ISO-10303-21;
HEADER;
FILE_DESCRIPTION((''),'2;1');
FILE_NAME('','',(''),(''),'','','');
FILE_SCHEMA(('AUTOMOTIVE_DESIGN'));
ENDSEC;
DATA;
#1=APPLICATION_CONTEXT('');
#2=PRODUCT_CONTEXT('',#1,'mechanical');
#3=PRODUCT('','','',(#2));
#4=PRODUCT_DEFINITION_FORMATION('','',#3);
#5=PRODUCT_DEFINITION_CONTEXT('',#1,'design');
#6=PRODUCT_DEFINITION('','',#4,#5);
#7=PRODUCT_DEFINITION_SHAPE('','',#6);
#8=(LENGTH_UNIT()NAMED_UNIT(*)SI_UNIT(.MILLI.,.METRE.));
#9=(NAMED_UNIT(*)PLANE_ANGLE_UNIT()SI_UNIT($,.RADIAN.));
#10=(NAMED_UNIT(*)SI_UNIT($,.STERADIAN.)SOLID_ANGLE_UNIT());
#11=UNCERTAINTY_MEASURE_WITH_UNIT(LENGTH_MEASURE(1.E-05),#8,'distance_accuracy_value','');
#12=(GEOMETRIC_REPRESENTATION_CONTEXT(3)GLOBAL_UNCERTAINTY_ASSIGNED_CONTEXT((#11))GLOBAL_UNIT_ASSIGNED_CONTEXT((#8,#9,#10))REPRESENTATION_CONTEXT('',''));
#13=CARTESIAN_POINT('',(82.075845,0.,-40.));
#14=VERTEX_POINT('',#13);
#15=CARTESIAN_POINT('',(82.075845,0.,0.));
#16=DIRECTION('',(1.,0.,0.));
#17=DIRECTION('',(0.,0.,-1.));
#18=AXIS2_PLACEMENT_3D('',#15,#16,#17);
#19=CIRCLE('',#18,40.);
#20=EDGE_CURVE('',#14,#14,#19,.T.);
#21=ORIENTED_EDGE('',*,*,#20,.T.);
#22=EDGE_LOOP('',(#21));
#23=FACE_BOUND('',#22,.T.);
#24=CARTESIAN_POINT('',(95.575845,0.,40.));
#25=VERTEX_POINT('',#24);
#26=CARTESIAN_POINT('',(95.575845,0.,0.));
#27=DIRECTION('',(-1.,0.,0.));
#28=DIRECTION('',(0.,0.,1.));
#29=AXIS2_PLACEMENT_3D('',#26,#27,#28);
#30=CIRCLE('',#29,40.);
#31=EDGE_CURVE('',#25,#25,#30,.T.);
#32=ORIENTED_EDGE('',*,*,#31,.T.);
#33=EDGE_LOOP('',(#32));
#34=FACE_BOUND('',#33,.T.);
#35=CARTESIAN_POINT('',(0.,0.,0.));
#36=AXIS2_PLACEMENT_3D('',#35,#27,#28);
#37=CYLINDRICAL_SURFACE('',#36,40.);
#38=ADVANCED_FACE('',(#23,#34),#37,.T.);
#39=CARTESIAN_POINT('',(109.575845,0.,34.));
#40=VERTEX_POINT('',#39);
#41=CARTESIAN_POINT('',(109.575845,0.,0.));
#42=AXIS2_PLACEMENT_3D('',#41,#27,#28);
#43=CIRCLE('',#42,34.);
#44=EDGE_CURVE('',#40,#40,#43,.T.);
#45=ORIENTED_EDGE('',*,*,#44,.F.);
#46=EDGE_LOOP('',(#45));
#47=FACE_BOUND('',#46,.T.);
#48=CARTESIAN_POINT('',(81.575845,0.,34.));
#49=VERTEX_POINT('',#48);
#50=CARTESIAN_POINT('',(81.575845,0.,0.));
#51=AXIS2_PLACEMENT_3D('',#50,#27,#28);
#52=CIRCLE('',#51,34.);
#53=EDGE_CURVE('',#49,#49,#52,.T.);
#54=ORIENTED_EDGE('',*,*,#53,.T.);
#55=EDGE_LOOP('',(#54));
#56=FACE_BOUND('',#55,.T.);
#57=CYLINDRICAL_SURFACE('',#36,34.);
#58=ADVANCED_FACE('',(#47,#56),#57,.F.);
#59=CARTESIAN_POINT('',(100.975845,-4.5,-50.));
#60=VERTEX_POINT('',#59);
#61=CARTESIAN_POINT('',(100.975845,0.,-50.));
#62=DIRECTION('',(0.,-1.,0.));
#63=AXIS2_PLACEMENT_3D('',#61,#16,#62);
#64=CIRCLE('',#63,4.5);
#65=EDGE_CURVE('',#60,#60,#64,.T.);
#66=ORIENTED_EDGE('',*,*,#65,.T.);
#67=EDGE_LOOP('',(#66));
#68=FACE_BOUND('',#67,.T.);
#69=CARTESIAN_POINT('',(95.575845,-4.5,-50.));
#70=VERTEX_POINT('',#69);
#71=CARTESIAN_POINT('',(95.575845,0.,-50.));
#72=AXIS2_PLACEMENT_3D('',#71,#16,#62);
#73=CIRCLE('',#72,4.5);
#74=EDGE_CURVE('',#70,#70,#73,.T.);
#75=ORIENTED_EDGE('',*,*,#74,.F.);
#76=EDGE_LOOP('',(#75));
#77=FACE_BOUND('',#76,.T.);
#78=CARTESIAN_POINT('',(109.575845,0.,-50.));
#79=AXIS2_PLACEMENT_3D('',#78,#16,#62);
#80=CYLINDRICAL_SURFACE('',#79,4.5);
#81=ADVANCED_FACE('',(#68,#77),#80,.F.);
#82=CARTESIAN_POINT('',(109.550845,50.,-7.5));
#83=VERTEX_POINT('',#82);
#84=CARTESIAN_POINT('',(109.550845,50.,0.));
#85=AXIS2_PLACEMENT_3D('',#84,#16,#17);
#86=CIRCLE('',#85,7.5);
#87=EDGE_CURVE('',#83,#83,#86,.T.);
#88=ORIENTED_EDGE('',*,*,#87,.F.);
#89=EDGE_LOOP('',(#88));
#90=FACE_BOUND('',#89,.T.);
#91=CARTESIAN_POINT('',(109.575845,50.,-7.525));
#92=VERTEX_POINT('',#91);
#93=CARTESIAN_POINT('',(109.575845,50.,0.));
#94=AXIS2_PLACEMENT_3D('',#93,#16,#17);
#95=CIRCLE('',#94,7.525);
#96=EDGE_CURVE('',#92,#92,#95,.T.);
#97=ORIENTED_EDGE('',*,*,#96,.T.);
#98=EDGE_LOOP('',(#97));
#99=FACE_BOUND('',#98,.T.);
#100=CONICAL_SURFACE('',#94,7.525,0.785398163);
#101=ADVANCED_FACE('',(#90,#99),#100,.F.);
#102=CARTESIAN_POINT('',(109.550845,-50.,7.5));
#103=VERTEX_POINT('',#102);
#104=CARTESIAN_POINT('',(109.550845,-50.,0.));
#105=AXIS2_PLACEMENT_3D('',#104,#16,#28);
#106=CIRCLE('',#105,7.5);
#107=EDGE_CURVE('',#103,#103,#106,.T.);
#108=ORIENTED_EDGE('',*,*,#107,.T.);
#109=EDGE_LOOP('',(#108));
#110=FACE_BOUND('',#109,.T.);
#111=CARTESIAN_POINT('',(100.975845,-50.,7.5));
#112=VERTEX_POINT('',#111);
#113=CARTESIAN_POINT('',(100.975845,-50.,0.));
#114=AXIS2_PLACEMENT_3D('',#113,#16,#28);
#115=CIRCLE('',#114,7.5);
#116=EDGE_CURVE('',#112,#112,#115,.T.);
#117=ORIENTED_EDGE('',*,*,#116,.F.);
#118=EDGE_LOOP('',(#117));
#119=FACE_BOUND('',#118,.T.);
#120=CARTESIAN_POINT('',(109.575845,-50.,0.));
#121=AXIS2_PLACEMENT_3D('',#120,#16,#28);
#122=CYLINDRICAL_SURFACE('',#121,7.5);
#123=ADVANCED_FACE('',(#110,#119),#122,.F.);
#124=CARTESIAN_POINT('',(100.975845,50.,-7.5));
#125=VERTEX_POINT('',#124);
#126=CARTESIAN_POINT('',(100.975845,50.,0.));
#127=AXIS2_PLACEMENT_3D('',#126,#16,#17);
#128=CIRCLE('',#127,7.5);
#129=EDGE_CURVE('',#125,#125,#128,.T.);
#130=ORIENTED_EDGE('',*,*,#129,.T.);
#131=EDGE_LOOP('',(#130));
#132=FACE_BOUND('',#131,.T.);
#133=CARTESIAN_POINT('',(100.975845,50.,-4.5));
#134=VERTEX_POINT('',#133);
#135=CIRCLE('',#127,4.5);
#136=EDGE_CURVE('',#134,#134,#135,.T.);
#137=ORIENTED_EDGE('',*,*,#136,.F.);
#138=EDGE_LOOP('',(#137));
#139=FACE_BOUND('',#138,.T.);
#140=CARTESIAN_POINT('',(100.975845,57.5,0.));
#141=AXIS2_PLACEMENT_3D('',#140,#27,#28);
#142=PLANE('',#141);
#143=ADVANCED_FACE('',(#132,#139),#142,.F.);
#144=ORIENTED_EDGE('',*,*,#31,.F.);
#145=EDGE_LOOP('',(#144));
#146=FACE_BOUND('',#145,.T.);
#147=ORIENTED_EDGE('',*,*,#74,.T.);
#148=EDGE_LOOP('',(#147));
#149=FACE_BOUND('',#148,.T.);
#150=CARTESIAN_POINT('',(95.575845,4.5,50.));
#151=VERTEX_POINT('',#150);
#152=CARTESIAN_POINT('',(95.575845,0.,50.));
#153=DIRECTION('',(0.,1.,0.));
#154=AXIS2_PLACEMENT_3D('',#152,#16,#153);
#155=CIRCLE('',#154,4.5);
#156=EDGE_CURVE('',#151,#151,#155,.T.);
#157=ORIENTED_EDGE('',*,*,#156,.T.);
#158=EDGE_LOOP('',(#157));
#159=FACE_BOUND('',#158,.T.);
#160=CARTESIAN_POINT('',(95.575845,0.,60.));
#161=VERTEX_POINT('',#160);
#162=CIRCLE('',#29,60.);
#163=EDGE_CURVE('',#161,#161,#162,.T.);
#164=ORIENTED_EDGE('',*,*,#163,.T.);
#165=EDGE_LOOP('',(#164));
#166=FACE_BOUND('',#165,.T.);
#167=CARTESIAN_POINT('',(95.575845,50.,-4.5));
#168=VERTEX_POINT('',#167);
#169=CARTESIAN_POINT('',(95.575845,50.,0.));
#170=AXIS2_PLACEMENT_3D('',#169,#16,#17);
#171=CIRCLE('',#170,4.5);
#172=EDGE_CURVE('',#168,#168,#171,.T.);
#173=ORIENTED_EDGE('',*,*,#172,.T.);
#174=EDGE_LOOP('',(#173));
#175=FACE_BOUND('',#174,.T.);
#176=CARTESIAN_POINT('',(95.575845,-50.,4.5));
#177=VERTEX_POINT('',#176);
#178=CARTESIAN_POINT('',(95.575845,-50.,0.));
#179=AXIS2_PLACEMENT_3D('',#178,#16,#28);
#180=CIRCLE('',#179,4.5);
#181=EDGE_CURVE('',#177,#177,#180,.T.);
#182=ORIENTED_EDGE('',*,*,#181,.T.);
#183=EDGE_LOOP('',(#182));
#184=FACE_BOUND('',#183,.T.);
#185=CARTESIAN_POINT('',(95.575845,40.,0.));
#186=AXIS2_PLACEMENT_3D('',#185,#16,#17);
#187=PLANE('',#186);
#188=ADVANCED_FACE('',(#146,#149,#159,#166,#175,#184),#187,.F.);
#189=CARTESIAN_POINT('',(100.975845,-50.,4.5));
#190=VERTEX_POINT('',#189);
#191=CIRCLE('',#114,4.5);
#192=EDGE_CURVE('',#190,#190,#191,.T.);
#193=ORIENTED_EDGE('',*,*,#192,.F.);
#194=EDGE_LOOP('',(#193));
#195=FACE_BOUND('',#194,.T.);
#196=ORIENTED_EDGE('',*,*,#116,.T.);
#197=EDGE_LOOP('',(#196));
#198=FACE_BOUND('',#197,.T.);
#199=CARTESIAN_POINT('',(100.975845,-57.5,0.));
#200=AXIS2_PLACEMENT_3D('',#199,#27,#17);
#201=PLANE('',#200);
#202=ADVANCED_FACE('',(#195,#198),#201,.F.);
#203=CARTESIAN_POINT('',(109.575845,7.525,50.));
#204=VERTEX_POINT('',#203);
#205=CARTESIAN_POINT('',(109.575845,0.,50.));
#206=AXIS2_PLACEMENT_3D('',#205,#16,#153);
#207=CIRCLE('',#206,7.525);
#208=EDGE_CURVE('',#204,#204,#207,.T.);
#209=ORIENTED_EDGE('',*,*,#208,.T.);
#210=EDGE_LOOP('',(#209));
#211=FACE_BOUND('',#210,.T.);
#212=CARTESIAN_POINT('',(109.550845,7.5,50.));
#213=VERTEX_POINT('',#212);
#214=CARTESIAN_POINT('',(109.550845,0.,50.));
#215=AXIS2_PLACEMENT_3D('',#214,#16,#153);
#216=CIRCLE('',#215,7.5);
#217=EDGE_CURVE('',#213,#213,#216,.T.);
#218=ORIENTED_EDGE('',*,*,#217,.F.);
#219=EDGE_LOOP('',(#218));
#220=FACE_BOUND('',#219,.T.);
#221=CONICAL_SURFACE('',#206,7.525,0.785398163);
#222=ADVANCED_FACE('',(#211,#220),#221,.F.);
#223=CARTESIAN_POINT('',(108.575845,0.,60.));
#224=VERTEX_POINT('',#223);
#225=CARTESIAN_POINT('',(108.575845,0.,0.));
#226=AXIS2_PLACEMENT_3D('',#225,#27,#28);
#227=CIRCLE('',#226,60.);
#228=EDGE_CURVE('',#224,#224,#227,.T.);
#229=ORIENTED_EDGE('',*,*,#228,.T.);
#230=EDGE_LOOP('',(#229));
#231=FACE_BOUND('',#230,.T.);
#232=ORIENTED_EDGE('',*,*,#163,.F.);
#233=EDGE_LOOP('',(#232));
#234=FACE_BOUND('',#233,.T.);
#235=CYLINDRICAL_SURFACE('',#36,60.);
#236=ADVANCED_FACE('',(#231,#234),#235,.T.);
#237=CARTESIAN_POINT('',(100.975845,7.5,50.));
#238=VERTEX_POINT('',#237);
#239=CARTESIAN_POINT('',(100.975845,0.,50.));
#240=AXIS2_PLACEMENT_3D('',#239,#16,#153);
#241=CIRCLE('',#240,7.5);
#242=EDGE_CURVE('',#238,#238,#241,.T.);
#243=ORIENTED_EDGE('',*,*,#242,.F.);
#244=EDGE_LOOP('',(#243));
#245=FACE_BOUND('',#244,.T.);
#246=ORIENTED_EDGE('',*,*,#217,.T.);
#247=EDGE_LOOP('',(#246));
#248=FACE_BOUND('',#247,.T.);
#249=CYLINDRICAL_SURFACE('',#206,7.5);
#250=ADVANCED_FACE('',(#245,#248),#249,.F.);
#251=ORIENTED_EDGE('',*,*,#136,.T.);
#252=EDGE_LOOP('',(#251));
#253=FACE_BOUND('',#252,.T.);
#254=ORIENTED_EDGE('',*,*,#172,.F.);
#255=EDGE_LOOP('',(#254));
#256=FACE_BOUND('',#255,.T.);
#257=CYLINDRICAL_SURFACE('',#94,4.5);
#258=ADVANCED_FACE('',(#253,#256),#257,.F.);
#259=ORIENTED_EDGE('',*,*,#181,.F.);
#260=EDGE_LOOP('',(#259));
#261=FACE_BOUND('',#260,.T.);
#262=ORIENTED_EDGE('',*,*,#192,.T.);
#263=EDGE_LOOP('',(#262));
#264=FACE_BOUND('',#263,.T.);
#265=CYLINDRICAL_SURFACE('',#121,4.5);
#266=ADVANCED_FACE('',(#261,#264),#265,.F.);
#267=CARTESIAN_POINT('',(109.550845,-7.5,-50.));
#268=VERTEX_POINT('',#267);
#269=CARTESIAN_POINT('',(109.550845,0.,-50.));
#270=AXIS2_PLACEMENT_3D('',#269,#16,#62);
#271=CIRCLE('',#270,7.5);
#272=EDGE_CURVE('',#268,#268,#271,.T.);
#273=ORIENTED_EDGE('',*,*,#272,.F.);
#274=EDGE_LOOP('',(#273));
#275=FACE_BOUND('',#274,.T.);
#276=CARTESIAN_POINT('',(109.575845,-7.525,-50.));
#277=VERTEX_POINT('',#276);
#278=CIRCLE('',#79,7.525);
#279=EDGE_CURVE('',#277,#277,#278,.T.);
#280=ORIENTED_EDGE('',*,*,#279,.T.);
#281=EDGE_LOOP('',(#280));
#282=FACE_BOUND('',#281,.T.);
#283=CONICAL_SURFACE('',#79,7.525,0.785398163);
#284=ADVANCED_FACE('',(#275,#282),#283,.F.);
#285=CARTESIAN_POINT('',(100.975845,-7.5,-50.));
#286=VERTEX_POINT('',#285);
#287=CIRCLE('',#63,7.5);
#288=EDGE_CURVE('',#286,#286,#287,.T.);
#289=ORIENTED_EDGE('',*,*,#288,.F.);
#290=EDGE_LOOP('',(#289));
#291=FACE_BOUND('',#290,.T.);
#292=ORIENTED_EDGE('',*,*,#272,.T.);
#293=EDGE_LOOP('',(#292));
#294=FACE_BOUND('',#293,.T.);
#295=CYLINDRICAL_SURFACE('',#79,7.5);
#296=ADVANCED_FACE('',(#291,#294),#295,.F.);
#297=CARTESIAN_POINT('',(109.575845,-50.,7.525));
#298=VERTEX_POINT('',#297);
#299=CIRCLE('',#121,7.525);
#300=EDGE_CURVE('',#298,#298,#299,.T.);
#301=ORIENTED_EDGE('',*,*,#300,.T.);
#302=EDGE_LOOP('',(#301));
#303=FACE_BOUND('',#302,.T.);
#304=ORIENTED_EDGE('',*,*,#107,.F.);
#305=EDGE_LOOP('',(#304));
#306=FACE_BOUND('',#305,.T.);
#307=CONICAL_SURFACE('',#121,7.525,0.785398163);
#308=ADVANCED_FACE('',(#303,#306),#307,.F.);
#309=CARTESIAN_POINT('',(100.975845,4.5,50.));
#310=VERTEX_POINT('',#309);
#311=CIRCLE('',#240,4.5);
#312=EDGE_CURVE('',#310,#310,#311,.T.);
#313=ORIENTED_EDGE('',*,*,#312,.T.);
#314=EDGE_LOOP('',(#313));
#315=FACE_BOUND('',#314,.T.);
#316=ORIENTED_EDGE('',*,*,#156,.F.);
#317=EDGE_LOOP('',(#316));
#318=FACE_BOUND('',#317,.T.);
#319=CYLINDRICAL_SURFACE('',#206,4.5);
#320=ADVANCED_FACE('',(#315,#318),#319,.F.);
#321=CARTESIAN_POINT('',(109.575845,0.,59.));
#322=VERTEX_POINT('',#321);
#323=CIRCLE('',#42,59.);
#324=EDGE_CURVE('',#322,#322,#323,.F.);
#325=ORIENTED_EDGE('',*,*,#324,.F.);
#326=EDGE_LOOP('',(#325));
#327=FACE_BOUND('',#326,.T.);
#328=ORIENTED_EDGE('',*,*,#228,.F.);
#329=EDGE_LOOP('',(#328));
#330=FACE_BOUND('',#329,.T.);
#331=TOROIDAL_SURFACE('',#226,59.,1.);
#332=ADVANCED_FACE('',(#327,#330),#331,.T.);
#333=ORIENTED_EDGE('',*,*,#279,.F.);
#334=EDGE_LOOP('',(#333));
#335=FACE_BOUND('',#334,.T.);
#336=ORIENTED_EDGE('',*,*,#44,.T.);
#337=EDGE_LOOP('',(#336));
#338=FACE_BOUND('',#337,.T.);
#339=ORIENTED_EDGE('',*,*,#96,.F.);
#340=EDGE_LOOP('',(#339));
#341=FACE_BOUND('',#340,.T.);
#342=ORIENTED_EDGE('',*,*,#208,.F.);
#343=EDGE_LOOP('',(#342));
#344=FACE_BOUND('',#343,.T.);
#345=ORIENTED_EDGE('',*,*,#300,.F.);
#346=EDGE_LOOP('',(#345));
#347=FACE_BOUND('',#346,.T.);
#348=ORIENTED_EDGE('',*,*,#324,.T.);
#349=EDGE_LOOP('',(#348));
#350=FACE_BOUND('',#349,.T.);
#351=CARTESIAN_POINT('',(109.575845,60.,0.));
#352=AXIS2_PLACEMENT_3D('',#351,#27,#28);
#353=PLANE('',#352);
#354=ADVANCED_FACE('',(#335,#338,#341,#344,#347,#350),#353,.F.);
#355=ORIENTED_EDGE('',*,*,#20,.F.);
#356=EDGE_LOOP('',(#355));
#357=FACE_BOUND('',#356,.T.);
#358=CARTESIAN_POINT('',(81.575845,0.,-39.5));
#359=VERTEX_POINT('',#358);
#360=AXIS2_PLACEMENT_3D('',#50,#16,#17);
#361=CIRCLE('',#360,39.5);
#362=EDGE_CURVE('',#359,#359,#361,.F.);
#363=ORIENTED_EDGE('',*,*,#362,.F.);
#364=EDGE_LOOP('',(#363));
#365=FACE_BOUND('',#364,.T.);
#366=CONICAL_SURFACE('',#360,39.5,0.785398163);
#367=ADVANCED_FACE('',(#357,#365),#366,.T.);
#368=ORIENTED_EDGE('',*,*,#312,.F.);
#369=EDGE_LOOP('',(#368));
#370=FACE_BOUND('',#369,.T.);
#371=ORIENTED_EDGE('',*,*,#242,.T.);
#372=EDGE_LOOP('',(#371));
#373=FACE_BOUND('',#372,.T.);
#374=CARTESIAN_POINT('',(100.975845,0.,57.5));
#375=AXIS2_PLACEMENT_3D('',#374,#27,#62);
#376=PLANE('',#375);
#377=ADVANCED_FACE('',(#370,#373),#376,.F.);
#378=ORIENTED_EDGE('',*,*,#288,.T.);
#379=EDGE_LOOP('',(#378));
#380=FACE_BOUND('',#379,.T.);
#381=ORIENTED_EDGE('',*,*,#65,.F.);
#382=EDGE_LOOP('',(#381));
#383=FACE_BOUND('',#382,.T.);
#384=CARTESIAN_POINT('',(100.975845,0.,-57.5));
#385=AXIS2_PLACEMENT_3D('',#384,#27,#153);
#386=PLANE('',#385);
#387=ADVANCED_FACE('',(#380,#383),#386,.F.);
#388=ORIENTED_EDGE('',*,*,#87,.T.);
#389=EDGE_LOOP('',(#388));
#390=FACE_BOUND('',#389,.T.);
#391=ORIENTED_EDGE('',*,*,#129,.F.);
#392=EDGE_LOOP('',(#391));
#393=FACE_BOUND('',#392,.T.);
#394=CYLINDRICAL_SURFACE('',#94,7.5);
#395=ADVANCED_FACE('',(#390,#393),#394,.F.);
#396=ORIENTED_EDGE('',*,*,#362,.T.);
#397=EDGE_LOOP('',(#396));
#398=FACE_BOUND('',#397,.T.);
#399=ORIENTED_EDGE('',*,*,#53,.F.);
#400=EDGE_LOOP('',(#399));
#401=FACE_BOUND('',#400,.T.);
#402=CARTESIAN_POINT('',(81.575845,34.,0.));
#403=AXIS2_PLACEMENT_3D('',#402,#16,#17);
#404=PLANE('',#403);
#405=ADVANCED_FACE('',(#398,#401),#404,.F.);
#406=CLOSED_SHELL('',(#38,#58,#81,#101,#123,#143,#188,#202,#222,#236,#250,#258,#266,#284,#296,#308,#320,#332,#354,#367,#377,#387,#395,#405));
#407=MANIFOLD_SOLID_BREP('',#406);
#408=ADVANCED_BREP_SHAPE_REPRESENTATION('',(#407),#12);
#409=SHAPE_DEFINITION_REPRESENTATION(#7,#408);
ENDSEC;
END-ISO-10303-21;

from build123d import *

# Parameters (mm, degrees)
CONG_1_R                     = 1
CHANFREIN1_SIZE              = 0.5
R_P_TITION_CIRCULAIRE1_COUNT = 4


with BuildPart() as part:
    # Esquisse1 → Révolution1 (revolve)
    with BuildSketch(Plane.XY, mode=Mode.PRIVATE) as r_volution1_sk:
        Polygon((81.575845111, 40), (95.575845111, 40), (95.575845111, 60), (109.575845111, 60), (109.575845111, 34), (81.575845111, 34), align=None)
    revolve(r_volution1_sk.sketch.rotate(Axis((0, 0, 0), (1, 0, 0)), 90), axis=Axis((0, 0, 0), (1, 0, 0)))

    # Congé1
    cong_1_edges = [part.edges().sort_by_distance(p)[0] for p in [
        (109.575845111, 0, -60),
    ]]
    fillet(cong_1_edges, radius=CONG_1_R)

    # Chanfrein1
    chanfrein1_edges = [part.edges().sort_by_distance(p)[0] for p in [
        (81.575845111, 0, -40),
    ]]
    chamfer(chanfrein1_edges, length=CHANFREIN1_SIZE)

    # Esquisse6 → Chambrage pour vis à six pans creux M81 (revolve, cut)
    with BuildSketch(Plane(origin=(109.575845111, 50, 0), x_dir=(0, 0, -1), z_dir=(0, 1, 0))):
        Polygon((0, 0), (0, 28), (4.5, 28), (4.5, 8.6), (7.5, 8.6), (7.5, 0.025), (7.525, 0), align=None)
    chambrage_pour_vis_six_pans_creux_m81 = revolve(axis=Axis((115.925845111, 50, 0), (-1, 0, 0)), mode=Mode.SUBTRACT)

    # Répétition circulaire1: Chambrage pour vis à six pans creux M81 ×4 about axis
    r_p_tition_circulaire1_axis = Axis((0, 0, 0), (1, 0, 0))
    for i in range(1, R_P_TITION_CIRCULAIRE1_COUNT):
        add(chambrage_pour_vis_six_pans_creux_m81.rotate(r_p_tition_circulaire1_axis, i * 360 / R_P_TITION_CIRCULAIRE1_COUNT), mode=Mode.SUBTRACT)


solid = part.part
